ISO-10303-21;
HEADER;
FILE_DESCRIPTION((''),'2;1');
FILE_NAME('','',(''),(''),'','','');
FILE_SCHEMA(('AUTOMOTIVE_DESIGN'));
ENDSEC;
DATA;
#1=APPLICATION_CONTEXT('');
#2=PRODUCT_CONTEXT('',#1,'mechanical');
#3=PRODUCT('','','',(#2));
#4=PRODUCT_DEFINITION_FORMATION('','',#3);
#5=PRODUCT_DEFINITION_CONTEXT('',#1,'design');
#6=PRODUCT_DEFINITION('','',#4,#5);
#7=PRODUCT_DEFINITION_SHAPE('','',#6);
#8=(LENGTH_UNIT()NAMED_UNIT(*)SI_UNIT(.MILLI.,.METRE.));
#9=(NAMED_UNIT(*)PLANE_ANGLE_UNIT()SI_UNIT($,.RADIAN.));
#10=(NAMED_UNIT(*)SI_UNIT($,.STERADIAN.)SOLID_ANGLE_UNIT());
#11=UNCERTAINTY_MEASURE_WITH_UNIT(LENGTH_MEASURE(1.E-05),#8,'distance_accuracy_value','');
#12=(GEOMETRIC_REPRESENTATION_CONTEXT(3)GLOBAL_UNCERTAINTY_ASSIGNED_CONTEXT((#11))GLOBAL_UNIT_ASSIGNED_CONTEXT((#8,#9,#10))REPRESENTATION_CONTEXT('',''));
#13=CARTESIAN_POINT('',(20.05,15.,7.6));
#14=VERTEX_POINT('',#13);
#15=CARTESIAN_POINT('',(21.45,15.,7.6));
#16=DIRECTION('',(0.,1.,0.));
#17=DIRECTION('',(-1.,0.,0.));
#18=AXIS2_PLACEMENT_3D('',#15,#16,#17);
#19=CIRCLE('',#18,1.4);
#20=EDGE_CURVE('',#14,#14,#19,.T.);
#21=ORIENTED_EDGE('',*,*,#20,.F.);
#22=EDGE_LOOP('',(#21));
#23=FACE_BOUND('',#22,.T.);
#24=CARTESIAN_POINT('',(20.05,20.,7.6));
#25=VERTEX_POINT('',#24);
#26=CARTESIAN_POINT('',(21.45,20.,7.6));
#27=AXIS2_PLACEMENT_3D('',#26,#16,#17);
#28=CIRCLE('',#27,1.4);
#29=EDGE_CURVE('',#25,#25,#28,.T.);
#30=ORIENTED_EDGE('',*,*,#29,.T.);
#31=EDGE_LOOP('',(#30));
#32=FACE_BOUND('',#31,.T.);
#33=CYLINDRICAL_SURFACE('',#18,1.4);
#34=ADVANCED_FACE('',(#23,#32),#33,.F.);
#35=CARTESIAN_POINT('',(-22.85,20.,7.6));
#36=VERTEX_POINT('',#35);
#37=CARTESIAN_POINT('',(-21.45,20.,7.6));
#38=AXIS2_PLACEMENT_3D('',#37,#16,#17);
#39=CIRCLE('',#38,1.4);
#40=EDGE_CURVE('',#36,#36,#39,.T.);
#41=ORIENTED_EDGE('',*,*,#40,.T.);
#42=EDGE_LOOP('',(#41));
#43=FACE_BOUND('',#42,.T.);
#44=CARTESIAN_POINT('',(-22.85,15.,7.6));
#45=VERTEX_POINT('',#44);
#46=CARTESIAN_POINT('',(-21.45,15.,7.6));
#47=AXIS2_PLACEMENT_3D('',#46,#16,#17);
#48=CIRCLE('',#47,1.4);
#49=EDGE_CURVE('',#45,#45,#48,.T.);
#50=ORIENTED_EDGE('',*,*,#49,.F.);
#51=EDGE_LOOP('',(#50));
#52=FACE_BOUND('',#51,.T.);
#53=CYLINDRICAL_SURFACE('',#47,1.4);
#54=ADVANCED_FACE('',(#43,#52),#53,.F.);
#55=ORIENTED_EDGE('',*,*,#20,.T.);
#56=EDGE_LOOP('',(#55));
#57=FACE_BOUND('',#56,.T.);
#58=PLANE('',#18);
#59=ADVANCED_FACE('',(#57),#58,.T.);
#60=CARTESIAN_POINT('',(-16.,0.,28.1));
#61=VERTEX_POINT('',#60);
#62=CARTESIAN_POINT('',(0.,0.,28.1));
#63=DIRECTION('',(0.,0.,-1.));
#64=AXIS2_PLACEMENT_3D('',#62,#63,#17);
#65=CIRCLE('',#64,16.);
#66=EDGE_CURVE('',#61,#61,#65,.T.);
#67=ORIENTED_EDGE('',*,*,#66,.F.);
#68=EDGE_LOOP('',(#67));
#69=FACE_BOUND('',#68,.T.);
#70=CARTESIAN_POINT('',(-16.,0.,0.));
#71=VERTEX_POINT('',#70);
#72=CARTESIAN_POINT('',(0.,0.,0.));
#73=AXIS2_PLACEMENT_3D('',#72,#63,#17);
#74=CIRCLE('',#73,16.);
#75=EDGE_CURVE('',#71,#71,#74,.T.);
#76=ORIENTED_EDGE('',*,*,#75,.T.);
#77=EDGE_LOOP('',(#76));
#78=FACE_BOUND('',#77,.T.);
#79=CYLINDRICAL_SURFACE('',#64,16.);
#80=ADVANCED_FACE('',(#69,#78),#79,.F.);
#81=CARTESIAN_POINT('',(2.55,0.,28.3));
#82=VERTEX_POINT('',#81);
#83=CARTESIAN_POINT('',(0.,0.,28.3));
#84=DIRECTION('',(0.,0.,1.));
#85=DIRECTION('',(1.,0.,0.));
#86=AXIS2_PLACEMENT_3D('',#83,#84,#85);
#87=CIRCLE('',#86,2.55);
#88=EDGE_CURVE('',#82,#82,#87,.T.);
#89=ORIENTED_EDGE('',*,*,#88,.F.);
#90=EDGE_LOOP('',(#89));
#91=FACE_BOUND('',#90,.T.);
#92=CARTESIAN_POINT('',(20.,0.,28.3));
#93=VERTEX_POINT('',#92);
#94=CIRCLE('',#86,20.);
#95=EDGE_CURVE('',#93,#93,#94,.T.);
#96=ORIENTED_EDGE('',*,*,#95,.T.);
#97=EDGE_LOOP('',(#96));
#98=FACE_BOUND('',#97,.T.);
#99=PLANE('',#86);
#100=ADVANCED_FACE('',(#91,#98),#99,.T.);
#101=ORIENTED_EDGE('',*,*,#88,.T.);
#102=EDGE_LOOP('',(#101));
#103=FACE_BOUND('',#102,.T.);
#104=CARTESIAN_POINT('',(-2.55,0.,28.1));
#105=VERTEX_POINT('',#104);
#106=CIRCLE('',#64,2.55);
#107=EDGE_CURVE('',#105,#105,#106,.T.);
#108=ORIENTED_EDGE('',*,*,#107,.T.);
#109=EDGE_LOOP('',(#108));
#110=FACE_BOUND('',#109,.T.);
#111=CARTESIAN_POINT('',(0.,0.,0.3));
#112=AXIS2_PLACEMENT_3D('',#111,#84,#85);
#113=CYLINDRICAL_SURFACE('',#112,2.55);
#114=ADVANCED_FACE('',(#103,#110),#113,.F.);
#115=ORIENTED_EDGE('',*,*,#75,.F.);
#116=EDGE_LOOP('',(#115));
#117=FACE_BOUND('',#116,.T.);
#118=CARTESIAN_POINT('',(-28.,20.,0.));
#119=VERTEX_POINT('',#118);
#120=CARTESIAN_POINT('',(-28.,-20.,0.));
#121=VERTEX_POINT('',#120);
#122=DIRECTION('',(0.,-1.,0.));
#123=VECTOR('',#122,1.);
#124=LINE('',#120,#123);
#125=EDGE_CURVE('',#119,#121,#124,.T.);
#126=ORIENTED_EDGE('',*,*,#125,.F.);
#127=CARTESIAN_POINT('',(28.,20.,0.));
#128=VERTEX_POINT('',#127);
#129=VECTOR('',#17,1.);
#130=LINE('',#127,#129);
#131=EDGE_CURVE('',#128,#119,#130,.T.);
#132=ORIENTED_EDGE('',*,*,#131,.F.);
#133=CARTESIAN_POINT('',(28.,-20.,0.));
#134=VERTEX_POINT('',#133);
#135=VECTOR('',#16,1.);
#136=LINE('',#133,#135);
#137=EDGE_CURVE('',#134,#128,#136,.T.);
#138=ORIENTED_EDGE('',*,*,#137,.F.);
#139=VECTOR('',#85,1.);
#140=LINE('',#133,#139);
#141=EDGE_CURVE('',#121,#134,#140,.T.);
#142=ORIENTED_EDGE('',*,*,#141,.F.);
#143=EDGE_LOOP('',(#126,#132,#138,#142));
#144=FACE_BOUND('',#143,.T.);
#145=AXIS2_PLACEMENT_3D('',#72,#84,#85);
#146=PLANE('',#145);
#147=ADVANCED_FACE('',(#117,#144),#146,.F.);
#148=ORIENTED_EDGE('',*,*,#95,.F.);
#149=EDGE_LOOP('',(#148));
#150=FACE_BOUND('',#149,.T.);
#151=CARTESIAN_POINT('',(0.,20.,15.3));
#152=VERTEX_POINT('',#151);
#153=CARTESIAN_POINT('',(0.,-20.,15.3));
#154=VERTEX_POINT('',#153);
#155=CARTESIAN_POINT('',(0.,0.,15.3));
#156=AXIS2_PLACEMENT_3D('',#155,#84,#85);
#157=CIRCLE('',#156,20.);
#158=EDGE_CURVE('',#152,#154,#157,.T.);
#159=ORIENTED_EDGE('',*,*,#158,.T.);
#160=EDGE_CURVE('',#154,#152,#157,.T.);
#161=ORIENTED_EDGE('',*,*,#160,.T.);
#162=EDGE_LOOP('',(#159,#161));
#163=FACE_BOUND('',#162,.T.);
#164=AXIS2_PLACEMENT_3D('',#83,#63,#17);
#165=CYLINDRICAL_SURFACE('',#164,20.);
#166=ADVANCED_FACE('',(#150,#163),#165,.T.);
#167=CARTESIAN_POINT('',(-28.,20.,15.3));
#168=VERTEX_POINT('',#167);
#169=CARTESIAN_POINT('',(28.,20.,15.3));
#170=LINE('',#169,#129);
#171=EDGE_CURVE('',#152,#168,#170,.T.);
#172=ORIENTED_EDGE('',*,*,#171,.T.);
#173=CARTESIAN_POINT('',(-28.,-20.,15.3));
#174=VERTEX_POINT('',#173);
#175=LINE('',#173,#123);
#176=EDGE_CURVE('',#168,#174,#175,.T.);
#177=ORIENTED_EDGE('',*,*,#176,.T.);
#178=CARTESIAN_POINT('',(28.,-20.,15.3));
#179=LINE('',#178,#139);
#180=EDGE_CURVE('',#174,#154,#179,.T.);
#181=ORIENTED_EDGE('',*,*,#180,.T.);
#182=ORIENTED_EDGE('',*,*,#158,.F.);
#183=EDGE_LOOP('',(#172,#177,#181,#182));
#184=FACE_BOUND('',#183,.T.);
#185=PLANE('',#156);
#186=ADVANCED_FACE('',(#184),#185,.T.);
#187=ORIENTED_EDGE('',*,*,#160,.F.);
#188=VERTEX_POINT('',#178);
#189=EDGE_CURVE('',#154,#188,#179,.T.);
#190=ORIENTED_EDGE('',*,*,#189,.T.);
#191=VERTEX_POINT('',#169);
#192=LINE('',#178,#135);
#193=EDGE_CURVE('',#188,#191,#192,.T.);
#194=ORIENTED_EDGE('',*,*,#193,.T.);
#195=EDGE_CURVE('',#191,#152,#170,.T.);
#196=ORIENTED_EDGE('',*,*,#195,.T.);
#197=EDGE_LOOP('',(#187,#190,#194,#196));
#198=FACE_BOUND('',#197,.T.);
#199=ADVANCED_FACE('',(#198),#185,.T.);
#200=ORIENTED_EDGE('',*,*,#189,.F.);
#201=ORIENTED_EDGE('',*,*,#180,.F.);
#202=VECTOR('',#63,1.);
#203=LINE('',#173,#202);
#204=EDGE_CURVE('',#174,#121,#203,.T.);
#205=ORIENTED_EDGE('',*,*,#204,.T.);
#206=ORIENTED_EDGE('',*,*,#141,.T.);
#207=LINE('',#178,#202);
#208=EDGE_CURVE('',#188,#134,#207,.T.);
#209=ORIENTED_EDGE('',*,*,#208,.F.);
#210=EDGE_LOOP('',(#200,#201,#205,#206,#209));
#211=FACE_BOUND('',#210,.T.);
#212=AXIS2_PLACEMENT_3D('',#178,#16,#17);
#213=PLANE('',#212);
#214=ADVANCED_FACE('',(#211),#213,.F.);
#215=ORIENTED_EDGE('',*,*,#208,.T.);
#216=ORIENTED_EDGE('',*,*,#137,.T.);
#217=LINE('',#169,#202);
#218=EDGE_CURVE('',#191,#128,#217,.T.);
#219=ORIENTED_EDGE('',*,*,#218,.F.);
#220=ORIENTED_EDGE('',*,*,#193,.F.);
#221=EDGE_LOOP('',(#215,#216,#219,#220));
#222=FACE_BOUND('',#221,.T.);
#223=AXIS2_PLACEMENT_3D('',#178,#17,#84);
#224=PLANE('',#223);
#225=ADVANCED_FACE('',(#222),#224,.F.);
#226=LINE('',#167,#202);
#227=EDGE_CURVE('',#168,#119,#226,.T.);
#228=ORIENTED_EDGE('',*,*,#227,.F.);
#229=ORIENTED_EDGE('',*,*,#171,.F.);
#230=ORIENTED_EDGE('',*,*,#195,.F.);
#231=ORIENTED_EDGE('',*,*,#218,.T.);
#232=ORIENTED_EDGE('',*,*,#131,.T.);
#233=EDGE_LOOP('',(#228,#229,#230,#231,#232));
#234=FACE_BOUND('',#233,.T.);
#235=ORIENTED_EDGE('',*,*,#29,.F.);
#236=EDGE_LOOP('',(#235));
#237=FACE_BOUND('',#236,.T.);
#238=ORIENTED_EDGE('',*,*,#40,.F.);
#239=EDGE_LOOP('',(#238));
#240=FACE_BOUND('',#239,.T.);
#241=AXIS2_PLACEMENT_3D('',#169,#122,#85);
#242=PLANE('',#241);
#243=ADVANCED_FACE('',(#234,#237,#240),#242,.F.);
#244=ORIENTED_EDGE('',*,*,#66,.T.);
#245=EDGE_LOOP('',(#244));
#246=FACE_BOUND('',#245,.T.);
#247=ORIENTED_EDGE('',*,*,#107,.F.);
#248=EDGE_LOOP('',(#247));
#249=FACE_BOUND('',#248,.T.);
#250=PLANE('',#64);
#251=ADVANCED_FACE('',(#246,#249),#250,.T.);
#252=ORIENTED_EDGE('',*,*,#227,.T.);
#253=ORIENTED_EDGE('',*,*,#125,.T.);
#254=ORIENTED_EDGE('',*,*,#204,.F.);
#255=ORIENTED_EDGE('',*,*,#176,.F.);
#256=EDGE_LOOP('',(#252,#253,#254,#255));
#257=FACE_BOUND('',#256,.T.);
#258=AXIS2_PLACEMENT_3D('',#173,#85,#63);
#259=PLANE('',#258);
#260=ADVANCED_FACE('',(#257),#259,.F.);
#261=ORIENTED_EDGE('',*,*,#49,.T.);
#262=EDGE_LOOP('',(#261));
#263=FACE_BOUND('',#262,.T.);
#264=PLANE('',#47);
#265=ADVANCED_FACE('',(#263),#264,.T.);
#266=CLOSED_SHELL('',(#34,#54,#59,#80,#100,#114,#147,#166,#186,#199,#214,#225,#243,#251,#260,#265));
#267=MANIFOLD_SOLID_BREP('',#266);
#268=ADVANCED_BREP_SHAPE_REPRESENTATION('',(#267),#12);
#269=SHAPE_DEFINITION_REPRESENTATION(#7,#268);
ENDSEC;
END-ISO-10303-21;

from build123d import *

# Parameters (mm, degrees)
ESQUISSE1_W             = 56
ESQUISSE1_H             = 40
BOSS_EXTRU_1_DEPTH      = 15.3
ESQUISSE2_R             = 20
BOSS_EXTRU_2_DEPTH      = 13
ESQUISSE5_R             = 1.4
ENL_V_MAT_EXTRU_1_DEPTH = 5
ESQUISSE6_R             = 16
ENL_V_MAT_EXTRU_2_DEPTH = 28.1
ESQUISSE3_R             = 2.55
ENL_V_MAT_EXTRU_3_DEPTH = 28


with BuildPart() as part:
    # Esquisse1 → Boss.-Extru.1 (new body)
    with BuildSketch(Plane.XY):
        Rectangle(ESQUISSE1_W, ESQUISSE1_H)
    extrude(amount=BOSS_EXTRU_1_DEPTH)

    # Esquisse2 → Boss.-Extru.2 (add)
    with BuildSketch(Plane.XY.offset(15.3)):
        with Locations(Location((0, 0, 0), (0, 0, 270))):
            Circle(ESQUISSE2_R)
    extrude(amount=BOSS_EXTRU_2_DEPTH)

    # Esquisse5 → Enlèv. mat.-Extru.1 (cut)
    with BuildSketch(Plane(origin=(0, 20, 0), x_dir=(1, 0, 0), z_dir=(0, 1, 0))):
        with Locations(Location((-21.45, -7.6, 0), (0, 0, 180))):
            Circle(ESQUISSE5_R)
        with Locations(Location((21.45, -7.6, 0), (0, 0, 180))):
            Circle(ESQUISSE5_R)
    extrude(amount=-ENL_V_MAT_EXTRU_1_DEPTH, mode=Mode.SUBTRACT)

    # Esquisse6 → Enlèv. mat.-Extru.2 (cut)
    with BuildSketch(Plane(origin=(0, 0, 0), x_dir=(-1, 0, 0), z_dir=(0, 0, -1))):
        Circle(ESQUISSE6_R)
    extrude(amount=-ENL_V_MAT_EXTRU_2_DEPTH, mode=Mode.SUBTRACT)

    # Esquisse3 → Enlèv. mat.-Extru.3 (cut)
    with BuildSketch(Plane.XY.offset(28.3)):
        Circle(ESQUISSE3_R)
    extrude(amount=-ENL_V_MAT_EXTRU_3_DEPTH, mode=Mode.SUBTRACT)


solid = part.part
